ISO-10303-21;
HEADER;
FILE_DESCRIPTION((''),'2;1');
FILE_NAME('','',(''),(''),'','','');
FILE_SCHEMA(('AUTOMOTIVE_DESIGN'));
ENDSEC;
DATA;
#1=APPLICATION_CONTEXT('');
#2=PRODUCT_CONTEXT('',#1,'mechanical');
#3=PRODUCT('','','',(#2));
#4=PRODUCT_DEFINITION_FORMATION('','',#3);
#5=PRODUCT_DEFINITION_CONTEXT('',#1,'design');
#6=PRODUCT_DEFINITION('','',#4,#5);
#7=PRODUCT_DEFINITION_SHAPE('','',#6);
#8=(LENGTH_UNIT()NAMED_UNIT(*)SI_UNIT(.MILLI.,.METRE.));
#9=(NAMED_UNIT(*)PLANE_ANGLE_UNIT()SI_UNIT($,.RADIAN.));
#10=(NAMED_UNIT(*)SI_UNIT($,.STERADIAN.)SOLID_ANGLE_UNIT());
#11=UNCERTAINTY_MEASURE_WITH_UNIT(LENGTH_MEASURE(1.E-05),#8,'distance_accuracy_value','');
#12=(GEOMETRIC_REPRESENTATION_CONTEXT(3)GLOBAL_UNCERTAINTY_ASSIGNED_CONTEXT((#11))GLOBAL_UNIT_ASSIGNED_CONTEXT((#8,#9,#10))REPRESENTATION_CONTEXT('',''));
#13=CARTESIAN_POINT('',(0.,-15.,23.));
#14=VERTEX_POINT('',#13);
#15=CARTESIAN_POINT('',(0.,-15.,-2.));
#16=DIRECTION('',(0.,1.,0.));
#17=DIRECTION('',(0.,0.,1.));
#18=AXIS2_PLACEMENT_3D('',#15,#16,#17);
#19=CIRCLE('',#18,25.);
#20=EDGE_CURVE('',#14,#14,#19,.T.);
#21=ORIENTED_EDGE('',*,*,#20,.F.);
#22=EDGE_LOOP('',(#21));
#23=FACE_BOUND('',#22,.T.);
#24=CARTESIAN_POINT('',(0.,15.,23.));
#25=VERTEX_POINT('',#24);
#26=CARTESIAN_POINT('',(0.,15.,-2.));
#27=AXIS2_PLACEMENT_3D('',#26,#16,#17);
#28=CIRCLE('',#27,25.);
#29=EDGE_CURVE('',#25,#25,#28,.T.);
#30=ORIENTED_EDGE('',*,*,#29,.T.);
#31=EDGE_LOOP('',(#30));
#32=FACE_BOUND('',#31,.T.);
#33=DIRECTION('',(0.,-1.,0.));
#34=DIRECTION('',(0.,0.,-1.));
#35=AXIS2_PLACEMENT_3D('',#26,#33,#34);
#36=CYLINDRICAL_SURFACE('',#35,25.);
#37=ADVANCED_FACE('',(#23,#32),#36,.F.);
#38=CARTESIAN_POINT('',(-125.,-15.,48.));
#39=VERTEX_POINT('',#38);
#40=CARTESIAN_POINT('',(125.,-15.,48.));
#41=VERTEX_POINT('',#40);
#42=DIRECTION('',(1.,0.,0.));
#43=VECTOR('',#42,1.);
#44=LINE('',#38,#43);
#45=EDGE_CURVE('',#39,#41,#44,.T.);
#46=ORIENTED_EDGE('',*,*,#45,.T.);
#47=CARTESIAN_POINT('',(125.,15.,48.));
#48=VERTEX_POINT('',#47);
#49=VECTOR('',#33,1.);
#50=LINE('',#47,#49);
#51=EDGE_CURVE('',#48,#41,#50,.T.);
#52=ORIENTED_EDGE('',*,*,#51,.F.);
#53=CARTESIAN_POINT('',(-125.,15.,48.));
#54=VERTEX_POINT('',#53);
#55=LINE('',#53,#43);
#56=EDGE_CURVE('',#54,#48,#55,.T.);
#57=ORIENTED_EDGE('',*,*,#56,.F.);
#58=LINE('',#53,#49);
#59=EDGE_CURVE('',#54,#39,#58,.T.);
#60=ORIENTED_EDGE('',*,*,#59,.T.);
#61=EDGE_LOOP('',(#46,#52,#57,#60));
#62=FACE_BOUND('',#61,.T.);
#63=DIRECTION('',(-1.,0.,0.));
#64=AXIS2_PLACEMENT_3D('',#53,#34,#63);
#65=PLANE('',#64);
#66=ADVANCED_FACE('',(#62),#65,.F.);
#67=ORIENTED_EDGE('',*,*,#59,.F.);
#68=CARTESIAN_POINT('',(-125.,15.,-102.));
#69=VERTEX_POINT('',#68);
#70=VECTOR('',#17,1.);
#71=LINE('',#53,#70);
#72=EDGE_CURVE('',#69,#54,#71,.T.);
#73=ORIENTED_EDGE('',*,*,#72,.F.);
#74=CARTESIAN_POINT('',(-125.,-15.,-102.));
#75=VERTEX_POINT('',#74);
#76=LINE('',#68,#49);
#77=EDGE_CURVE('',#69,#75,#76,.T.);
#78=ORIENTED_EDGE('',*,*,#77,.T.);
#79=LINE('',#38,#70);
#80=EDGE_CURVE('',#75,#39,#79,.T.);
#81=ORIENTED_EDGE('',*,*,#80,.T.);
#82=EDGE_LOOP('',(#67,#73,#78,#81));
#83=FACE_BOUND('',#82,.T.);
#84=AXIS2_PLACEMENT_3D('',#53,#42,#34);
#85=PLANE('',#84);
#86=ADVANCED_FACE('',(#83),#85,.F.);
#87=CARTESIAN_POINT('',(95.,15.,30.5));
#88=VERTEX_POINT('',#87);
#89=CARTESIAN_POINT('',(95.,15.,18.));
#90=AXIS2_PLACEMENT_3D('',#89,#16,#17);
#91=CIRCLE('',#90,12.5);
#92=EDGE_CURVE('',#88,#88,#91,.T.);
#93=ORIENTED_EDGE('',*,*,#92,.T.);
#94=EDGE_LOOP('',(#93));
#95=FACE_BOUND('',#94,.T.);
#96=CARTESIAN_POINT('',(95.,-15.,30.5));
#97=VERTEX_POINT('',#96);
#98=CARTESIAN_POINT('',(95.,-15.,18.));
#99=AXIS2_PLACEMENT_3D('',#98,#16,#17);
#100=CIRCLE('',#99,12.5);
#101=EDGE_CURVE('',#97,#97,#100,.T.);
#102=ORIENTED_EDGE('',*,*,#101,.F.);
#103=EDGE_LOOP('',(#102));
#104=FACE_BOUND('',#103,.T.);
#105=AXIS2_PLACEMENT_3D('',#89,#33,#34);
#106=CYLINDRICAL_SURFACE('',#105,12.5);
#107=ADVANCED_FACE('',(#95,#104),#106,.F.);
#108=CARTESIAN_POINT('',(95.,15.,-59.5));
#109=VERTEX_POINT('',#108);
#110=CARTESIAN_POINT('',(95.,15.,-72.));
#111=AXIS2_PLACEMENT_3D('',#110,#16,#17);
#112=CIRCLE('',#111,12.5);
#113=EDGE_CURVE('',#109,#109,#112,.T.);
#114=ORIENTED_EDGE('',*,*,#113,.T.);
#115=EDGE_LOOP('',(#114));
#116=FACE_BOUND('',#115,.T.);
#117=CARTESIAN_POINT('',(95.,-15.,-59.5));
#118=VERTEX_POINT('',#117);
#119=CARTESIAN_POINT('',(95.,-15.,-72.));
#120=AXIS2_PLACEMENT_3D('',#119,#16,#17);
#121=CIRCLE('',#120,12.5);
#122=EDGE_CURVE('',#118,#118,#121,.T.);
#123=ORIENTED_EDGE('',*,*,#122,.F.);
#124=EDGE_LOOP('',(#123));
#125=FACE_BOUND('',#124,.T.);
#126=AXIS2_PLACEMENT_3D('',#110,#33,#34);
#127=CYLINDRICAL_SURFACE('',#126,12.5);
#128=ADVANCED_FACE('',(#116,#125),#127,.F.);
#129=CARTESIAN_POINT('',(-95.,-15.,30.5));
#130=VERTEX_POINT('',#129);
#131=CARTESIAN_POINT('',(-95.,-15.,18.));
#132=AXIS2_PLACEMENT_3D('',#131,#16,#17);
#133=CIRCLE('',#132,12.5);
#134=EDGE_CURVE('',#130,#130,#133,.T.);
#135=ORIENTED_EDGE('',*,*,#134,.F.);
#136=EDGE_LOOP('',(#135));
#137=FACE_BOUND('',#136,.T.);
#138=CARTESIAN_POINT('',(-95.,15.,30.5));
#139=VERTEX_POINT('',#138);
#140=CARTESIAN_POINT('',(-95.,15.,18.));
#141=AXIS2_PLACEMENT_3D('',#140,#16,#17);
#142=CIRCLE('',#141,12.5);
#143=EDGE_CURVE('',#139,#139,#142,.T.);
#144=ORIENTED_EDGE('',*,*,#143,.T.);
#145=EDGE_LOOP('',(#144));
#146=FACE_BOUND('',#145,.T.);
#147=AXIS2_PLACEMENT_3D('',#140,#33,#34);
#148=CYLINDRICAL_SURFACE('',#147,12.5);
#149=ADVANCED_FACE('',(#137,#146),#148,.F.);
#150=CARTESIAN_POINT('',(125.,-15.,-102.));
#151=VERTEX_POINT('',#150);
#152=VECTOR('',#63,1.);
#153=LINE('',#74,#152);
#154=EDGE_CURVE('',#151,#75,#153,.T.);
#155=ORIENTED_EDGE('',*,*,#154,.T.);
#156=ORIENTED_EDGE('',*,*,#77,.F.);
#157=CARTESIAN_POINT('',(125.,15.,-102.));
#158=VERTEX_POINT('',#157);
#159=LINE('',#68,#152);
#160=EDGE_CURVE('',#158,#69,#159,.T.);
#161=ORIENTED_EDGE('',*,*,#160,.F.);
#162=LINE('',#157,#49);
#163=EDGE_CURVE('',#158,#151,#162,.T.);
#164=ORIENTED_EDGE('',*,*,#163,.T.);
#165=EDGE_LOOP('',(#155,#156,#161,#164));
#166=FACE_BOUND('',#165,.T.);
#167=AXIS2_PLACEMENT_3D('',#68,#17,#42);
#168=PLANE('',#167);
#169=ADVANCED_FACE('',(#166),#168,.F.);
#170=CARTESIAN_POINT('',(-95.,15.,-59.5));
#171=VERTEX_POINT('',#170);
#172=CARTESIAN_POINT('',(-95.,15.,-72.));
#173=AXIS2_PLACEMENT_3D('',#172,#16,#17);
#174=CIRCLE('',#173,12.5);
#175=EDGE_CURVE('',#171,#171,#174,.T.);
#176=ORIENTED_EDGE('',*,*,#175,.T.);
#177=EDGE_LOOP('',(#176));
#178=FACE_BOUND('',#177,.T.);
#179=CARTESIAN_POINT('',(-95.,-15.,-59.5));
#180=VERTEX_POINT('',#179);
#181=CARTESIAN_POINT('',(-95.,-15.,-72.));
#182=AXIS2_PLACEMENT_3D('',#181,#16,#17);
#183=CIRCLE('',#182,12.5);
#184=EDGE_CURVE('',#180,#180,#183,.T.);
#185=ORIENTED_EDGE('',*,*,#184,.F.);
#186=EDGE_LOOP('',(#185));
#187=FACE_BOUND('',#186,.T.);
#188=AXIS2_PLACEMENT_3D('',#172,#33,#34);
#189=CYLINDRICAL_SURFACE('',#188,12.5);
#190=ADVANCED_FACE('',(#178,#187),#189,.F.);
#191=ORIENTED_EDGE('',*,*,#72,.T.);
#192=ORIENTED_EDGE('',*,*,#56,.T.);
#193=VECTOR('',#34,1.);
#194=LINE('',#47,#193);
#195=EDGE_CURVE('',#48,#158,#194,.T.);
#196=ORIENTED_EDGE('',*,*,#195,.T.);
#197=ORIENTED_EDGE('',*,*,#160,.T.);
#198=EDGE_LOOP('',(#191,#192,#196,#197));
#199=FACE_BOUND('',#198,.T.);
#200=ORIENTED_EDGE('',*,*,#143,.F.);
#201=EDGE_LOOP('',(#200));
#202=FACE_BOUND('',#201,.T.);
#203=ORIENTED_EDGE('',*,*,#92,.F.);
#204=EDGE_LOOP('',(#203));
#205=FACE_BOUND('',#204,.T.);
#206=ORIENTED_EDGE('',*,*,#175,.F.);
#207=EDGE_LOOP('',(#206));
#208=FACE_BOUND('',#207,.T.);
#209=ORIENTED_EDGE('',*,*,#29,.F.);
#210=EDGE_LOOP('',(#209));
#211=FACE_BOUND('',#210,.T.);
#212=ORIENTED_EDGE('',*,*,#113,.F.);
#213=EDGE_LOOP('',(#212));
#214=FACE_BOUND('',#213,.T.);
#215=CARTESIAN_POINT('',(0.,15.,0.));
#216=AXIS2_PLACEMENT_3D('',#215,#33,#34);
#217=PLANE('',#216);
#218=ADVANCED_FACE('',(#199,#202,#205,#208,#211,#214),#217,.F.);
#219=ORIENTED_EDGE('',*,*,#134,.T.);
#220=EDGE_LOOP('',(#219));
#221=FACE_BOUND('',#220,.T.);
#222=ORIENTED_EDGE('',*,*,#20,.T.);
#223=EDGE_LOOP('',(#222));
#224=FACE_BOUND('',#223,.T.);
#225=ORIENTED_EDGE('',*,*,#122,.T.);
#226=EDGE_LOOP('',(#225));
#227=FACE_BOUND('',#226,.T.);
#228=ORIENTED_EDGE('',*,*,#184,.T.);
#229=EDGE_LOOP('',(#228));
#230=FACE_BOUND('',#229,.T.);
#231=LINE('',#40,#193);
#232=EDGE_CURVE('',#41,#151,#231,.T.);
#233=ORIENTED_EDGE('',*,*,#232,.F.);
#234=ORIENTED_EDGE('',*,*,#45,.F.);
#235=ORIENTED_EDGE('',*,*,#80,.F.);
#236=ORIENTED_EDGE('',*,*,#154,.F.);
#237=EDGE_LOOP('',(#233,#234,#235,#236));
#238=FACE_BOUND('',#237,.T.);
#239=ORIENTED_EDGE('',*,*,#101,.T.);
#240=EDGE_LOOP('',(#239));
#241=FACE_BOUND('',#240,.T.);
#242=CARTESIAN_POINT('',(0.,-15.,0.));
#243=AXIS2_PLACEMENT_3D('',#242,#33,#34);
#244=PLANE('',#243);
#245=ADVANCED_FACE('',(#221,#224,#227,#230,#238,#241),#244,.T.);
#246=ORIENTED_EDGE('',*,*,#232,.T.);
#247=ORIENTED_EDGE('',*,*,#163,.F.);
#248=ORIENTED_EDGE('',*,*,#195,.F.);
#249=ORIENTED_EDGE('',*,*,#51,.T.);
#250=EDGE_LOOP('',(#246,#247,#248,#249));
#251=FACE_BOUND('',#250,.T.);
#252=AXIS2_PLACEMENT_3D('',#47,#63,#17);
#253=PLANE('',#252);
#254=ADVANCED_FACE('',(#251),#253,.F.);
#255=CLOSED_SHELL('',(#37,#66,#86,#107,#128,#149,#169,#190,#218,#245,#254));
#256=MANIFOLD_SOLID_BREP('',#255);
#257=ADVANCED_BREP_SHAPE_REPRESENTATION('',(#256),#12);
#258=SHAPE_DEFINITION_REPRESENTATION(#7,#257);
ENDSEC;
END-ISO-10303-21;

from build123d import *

# Parameters (mm, degrees)
SKETCH1_W           = 250
SKETCH1_H           = 150
SKETCH1_R           = 12.5
SKETCH1_R_2         = 25
BOSS_EXTRUDE1_DEPTH = 15


with BuildPart() as part:
    # Sketch1 → Boss-Extrude1 (new body, symmetric)
    with BuildSketch(Plane(origin=(0, 0, 0), x_dir=(1, 0, 0), z_dir=(0, 1, 0))):
        with Locations((0, 27)):
            Rectangle(SKETCH1_W, SKETCH1_H)
        with Locations((-95, 72)):
            Circle(SKETCH1_R, mode=Mode.SUBTRACT)
        with Locations((95, 72)):
            Circle(SKETCH1_R, mode=Mode.SUBTRACT)
        with Locations((95, -18)):
            Circle(SKETCH1_R, mode=Mode.SUBTRACT)
        with Locations((-95, -18)):
            Circle(SKETCH1_R, mode=Mode.SUBTRACT)
        with Locations((0, 2)):
            Circle(SKETCH1_R_2, mode=Mode.SUBTRACT)
    extrude(amount=BOSS_EXTRUDE1_DEPTH, both=True)


solid = part.part
